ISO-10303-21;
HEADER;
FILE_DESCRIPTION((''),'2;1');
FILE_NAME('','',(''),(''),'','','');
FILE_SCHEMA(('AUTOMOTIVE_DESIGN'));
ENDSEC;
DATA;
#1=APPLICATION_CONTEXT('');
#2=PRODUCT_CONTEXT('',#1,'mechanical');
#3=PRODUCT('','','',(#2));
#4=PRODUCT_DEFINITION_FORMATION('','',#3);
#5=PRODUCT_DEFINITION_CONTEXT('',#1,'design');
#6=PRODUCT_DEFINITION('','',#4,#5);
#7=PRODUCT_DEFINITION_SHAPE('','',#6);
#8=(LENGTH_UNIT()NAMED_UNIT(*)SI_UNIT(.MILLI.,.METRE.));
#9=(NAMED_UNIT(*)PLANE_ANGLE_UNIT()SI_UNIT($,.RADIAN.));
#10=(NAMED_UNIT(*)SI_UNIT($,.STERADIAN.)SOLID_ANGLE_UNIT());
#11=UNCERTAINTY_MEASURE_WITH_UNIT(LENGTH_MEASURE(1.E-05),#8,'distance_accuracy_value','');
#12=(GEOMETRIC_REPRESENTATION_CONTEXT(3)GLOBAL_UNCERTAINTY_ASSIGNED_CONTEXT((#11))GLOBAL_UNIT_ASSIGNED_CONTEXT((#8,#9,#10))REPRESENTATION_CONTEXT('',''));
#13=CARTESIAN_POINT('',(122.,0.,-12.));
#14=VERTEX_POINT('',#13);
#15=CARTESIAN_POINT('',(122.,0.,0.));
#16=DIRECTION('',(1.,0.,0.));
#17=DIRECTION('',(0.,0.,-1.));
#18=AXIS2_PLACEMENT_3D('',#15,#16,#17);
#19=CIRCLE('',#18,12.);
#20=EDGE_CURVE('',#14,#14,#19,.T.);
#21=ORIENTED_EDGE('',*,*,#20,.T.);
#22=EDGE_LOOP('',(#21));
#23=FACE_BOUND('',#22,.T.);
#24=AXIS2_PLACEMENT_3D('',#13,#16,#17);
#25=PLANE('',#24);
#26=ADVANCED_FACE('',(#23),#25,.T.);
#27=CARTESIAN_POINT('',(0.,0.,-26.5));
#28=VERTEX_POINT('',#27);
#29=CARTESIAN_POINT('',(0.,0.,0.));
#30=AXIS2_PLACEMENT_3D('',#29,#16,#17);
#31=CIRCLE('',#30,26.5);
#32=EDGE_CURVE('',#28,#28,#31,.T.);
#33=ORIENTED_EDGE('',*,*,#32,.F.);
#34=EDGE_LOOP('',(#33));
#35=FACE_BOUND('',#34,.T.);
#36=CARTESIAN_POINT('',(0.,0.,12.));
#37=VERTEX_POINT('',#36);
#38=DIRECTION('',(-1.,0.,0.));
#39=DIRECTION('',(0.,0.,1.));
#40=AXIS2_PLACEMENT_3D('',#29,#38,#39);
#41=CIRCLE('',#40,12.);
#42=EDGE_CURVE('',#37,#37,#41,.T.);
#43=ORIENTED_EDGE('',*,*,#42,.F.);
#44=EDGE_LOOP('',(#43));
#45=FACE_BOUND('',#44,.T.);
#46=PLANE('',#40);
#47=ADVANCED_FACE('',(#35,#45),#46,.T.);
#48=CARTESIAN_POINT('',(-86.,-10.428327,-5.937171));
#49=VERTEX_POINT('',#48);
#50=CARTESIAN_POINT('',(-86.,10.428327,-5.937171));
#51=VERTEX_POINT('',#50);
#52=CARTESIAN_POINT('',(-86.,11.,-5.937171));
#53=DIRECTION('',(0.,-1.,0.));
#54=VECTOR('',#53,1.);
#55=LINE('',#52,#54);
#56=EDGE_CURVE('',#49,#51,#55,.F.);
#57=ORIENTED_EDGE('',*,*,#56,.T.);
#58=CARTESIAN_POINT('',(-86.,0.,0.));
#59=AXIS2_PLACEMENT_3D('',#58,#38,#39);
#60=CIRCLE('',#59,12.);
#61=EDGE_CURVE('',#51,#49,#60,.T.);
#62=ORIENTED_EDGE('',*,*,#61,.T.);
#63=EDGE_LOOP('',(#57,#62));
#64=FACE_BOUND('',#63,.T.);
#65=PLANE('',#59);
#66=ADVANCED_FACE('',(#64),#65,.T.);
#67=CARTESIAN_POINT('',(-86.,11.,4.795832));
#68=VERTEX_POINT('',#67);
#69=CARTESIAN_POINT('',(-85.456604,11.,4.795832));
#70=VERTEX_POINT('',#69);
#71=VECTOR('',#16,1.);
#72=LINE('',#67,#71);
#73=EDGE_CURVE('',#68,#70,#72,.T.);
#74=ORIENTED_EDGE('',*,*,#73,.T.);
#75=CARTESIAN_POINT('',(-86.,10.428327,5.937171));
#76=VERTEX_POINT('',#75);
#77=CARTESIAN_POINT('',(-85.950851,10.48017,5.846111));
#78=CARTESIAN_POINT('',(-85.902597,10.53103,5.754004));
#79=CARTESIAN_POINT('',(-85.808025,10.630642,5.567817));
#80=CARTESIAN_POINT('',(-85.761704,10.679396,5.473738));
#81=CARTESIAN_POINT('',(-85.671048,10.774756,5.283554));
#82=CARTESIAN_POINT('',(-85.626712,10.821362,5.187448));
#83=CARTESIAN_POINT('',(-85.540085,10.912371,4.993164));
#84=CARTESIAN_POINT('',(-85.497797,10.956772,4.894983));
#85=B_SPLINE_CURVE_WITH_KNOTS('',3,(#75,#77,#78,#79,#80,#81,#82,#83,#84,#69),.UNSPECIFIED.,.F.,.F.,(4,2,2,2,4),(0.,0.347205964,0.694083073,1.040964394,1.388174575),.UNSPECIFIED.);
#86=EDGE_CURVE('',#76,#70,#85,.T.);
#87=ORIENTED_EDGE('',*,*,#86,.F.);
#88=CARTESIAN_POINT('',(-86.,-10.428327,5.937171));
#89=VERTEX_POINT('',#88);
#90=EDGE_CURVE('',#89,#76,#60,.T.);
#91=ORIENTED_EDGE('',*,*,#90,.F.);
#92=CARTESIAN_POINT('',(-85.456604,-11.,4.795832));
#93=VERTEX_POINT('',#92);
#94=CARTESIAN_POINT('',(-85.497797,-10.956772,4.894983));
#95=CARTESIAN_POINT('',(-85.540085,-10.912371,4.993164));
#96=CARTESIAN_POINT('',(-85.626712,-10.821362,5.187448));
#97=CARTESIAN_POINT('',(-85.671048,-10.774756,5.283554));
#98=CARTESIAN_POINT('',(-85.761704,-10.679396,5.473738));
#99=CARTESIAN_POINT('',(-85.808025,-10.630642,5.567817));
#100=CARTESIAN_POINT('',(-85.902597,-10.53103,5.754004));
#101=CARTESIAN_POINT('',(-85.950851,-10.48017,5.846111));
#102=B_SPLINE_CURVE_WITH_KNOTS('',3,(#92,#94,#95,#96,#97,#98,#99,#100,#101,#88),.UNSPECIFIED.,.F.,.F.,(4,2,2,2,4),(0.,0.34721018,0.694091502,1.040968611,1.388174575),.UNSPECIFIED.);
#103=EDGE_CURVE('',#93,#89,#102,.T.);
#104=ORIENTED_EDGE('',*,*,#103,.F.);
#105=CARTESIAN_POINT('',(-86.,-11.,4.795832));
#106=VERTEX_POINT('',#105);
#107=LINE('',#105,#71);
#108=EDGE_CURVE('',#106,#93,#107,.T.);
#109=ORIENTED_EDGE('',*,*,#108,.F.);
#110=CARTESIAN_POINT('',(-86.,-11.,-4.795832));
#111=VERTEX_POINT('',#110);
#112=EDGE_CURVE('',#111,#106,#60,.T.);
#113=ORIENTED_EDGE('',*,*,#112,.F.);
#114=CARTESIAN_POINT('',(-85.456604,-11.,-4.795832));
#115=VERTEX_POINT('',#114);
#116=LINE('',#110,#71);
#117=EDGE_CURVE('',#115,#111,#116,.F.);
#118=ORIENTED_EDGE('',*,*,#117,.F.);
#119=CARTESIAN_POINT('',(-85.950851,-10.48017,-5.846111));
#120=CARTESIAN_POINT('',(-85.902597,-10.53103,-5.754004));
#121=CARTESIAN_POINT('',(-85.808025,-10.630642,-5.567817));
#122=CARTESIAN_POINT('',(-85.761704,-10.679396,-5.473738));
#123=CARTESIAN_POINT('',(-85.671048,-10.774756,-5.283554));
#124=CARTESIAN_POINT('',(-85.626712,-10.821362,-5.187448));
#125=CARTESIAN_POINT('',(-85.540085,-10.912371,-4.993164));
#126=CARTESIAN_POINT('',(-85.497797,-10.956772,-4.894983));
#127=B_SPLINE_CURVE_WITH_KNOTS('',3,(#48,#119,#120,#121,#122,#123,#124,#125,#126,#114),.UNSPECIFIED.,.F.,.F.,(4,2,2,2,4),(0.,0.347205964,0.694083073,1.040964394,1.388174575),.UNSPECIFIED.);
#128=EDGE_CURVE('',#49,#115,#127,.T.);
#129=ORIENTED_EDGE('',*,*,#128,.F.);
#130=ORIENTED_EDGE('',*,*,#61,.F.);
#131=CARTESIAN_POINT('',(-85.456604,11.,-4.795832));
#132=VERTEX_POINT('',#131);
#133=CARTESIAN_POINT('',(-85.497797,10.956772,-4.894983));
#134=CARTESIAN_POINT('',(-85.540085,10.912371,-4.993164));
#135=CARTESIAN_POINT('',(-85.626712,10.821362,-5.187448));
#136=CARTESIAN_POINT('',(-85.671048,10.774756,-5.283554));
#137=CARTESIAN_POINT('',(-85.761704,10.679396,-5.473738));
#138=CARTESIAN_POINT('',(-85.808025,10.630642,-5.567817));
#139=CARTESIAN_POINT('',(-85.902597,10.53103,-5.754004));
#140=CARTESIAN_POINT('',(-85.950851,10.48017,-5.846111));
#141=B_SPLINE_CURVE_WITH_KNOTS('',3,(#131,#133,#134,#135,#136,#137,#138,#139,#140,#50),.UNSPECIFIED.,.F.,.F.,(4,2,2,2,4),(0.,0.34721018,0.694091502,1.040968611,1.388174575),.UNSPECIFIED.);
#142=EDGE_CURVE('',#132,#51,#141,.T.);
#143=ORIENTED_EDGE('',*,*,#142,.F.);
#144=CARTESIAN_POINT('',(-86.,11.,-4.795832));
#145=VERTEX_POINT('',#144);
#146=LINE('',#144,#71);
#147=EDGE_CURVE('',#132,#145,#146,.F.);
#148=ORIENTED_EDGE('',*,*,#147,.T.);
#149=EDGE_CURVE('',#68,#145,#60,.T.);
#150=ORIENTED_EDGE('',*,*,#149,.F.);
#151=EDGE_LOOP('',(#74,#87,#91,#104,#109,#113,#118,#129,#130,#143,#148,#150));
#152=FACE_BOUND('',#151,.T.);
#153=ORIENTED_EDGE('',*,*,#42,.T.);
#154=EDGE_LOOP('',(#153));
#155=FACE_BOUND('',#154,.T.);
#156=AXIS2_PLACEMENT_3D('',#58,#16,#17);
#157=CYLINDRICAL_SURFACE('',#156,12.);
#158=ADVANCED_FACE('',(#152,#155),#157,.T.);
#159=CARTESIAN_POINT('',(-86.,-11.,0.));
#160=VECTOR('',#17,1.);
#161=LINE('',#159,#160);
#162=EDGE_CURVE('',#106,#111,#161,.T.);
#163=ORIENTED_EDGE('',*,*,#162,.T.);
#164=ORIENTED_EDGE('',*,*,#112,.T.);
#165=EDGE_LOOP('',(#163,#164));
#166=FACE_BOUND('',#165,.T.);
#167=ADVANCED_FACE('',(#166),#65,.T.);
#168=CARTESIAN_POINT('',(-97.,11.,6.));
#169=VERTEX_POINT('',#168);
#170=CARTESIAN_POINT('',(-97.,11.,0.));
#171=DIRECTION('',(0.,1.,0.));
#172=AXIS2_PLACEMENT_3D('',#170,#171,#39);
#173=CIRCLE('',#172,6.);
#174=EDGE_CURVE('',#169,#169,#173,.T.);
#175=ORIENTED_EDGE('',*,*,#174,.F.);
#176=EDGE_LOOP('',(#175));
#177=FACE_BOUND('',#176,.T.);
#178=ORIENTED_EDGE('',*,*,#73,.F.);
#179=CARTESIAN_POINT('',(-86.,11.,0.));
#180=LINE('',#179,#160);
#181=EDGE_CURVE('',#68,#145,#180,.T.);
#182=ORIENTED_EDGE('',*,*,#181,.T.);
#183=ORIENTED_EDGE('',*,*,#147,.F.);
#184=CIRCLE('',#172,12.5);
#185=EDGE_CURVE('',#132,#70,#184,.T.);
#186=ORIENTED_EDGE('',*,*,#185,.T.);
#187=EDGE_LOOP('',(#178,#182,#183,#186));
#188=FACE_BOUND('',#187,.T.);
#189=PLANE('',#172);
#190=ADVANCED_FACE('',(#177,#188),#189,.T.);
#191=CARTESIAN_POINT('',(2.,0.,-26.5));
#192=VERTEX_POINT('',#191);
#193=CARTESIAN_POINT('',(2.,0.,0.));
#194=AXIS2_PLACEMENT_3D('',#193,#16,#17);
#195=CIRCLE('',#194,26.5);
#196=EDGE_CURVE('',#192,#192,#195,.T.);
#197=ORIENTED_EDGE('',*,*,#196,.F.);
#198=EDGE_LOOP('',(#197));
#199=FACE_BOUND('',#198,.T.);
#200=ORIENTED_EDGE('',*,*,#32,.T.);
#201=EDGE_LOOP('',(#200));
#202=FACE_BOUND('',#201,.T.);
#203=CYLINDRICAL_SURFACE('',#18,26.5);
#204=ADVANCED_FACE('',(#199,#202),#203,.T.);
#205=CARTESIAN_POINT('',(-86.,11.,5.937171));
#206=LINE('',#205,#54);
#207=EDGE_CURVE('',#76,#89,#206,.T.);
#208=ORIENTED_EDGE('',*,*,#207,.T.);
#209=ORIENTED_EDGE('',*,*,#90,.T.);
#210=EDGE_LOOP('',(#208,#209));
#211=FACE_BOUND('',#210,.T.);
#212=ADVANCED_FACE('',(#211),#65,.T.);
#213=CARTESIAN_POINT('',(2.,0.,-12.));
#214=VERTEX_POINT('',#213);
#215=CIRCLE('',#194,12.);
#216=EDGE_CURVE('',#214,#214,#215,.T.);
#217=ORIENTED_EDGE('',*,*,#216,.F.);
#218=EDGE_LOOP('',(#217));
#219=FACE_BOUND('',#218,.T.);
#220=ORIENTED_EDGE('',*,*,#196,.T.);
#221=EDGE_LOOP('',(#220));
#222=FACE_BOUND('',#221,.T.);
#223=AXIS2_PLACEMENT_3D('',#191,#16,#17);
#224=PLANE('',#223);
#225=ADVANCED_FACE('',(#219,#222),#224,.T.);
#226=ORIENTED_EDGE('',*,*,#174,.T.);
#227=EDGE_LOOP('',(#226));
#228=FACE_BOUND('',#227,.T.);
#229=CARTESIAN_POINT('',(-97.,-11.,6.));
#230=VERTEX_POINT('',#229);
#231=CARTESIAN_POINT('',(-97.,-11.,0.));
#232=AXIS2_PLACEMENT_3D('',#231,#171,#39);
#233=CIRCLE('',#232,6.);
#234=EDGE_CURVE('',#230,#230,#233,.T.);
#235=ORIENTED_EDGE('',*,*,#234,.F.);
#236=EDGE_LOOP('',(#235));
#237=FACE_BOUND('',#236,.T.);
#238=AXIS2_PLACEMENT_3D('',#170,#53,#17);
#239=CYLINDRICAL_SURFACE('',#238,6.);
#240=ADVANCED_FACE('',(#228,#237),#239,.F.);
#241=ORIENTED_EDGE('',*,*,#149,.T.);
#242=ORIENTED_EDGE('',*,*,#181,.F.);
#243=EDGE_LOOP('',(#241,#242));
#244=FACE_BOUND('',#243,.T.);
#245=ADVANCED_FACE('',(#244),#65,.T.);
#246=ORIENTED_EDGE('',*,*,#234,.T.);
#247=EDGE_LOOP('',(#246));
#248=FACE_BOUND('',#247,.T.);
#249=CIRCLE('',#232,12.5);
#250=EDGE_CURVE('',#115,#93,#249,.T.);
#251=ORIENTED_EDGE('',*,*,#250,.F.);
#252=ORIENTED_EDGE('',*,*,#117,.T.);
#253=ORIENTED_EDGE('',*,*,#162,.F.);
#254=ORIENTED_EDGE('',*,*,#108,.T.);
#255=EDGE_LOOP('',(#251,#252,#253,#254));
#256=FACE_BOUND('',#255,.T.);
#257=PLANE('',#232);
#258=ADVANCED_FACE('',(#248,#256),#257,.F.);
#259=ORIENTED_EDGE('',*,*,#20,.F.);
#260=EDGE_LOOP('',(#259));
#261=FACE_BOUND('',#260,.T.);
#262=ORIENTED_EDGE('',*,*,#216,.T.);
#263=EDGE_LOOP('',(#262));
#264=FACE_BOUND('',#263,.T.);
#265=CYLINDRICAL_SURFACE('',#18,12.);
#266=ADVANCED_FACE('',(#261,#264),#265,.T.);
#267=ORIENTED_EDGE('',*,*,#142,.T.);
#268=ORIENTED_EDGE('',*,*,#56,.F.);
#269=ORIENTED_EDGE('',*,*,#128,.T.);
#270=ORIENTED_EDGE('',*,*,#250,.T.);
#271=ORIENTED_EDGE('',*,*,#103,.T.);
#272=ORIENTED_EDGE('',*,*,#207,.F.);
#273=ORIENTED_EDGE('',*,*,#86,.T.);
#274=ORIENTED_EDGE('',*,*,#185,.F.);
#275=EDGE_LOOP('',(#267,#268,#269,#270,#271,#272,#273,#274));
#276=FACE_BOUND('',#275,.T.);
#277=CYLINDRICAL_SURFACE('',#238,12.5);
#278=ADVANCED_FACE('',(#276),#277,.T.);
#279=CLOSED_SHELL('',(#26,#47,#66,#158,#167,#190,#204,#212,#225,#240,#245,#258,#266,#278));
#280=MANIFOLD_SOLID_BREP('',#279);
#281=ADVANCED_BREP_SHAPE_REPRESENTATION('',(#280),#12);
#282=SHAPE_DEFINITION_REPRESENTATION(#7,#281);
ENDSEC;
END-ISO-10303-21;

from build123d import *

# Parameters (mm, degrees)
SKETCH2_R           = 12
BOSS_EXTRUDE1_DEPTH = 86
SKETCH3_R           = 12.5
SKETCH3_R_2         = 6
BOSS_EXTRUDE2_DEPTH = 11


with BuildPart() as part:
    # Sketch1 → Revolve1 (revolve)
    with BuildSketch(Plane(origin=(0, 0, 0), x_dir=(1, 0, 0), z_dir=(0, 1, 0))):
        Polygon((0, 0), (0, 26.5), (2, 26.5), (2, 12), (122, 12), (122, 0), align=None)
    revolve(axis=Axis((122, 0, 0), (-1, 0, 0)))

    # Sketch2 → Boss-Extrude1 (add)
    with BuildSketch(Plane.ZY):
        Circle(SKETCH2_R)
    extrude(amount=BOSS_EXTRUDE1_DEPTH)

    # Sketch3 → Boss-Extrude2 (add, symmetric)
    with BuildSketch(Plane(origin=(0, 0, 0), x_dir=(1, 0, 0), z_dir=(0, 1, 0))):
        with Locations((-97, 0)):
            Circle(SKETCH3_R)
        with Locations((-97, 0)):
            Circle(SKETCH3_R_2, mode=Mode.SUBTRACT)
    extrude(amount=BOSS_EXTRUDE2_DEPTH, both=True)


solid = part.part
